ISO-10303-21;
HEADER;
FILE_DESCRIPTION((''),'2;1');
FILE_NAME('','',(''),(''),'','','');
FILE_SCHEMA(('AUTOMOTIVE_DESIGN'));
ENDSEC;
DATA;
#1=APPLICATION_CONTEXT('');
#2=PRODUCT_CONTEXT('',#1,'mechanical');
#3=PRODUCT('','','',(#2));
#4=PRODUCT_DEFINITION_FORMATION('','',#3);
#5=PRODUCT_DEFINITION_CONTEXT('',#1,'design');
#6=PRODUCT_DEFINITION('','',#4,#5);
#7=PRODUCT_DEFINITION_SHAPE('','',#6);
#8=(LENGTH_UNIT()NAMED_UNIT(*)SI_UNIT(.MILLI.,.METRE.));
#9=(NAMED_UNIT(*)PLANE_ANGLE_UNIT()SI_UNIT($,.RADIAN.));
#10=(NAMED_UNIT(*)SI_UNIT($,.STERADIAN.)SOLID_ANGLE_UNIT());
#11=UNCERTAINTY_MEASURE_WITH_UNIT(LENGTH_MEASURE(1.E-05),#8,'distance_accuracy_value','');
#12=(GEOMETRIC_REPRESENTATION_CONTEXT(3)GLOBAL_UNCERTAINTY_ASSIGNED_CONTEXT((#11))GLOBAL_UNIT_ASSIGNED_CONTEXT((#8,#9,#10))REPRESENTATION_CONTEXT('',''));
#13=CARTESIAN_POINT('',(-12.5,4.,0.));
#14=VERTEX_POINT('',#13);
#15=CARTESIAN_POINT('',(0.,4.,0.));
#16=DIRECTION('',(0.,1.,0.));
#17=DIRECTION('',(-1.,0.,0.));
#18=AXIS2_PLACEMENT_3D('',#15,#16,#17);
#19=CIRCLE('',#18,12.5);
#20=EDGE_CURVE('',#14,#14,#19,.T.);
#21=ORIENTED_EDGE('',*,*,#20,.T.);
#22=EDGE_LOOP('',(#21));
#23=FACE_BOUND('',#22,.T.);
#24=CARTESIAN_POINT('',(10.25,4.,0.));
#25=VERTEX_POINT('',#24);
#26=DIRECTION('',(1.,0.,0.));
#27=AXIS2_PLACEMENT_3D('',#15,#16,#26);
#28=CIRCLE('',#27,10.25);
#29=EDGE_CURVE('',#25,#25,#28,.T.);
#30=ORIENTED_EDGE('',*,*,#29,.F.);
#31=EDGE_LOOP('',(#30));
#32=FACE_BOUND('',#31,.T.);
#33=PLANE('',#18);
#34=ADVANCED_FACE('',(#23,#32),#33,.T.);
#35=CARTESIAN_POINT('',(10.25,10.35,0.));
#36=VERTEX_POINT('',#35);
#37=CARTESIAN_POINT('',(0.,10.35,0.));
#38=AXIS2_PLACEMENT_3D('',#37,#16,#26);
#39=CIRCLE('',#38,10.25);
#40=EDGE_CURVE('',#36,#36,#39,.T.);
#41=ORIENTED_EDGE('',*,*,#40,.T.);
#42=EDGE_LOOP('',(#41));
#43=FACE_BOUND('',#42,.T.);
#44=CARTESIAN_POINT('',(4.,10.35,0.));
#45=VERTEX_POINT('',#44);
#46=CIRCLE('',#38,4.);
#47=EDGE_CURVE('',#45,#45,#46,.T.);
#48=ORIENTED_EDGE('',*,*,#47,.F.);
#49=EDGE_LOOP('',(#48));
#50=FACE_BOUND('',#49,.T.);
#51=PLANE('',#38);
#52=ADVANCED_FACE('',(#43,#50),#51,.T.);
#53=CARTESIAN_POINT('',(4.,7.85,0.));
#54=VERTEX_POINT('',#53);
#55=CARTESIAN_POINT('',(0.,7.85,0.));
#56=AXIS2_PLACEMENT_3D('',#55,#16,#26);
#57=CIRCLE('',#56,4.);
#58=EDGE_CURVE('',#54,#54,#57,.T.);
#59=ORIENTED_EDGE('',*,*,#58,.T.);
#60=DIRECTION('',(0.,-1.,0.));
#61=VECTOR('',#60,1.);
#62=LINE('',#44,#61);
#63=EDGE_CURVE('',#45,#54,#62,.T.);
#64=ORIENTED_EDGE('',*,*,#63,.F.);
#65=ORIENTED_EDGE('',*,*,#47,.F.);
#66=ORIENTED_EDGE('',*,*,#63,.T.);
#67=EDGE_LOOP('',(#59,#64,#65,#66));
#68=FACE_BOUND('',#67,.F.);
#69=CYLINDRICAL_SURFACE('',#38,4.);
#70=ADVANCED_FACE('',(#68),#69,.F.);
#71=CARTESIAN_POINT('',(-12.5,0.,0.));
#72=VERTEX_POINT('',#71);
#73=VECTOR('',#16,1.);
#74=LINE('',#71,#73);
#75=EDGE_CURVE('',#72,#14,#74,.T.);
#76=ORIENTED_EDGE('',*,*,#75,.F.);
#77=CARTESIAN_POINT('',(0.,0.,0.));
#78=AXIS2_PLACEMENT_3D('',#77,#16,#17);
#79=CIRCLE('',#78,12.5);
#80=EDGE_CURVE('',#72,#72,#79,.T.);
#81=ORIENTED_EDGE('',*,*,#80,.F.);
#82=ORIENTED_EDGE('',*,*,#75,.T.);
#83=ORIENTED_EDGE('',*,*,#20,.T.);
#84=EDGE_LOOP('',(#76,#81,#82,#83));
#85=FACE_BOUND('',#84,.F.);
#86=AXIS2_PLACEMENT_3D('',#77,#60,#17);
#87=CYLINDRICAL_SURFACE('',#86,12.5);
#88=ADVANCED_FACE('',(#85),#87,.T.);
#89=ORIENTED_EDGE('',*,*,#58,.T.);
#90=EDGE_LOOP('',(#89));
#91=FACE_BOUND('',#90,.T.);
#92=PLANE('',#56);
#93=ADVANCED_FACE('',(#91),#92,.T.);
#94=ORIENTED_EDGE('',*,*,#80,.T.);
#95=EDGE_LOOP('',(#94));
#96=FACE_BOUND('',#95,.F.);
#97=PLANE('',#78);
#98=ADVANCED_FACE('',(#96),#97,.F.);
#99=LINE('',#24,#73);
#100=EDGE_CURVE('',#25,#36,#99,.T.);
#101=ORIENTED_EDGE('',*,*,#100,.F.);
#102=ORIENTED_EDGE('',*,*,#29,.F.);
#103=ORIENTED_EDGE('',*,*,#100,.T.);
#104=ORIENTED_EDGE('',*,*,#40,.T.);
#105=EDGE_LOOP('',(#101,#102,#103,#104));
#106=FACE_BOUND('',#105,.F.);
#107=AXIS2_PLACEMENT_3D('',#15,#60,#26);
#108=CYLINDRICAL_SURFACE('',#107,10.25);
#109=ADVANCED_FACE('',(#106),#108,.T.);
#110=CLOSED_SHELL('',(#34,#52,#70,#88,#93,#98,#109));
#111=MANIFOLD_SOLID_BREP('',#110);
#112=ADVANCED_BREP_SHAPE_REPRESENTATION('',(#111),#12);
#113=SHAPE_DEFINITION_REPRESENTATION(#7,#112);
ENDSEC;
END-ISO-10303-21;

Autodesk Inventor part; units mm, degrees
ref_plane "YZ Plane" through (0, 0, 0) normal (1, 0, 0) x (0, 1, 0)
ref_plane "XZ Plane" through (0, 0, 0) normal (0, 1, 0) x (-1, 0, 0)
ref_plane "XY Plane" through (0, 0, 0) normal (0, 0, 1) x (1, 0, 0)
sketch "Sketch1" plane through (0, 0, 0) normal (0, 1, 0) x (-1, 0, 0)
  circle A0 centre (0, 0) radius 12.5
  dimension "d0" = 25
extrude "Extrusion1" add sketch "Sketch1" along normal blind 4
sketch "Sketch2" plane through (0, 4, 0) normal (0, 1, 0) x (1, 0, 0)
  circle A0 centre (0, 0) radius 10.25
  dimension "d3" = 20.5
extrude "Extrusion2" add sketch "Sketch2" along normal blind 6.35
sketch "Sketch3" plane through (0, 10.35, 0) normal (0, 1, 0) x (1, 0, 0)
  circle A0 centre (0, 0) radius 4
  dimension "d6" = 8
extrude "Extrusion3" cut sketch "Sketch3" against normal blind 2.5
properties part number "arm2bearingjoint"
